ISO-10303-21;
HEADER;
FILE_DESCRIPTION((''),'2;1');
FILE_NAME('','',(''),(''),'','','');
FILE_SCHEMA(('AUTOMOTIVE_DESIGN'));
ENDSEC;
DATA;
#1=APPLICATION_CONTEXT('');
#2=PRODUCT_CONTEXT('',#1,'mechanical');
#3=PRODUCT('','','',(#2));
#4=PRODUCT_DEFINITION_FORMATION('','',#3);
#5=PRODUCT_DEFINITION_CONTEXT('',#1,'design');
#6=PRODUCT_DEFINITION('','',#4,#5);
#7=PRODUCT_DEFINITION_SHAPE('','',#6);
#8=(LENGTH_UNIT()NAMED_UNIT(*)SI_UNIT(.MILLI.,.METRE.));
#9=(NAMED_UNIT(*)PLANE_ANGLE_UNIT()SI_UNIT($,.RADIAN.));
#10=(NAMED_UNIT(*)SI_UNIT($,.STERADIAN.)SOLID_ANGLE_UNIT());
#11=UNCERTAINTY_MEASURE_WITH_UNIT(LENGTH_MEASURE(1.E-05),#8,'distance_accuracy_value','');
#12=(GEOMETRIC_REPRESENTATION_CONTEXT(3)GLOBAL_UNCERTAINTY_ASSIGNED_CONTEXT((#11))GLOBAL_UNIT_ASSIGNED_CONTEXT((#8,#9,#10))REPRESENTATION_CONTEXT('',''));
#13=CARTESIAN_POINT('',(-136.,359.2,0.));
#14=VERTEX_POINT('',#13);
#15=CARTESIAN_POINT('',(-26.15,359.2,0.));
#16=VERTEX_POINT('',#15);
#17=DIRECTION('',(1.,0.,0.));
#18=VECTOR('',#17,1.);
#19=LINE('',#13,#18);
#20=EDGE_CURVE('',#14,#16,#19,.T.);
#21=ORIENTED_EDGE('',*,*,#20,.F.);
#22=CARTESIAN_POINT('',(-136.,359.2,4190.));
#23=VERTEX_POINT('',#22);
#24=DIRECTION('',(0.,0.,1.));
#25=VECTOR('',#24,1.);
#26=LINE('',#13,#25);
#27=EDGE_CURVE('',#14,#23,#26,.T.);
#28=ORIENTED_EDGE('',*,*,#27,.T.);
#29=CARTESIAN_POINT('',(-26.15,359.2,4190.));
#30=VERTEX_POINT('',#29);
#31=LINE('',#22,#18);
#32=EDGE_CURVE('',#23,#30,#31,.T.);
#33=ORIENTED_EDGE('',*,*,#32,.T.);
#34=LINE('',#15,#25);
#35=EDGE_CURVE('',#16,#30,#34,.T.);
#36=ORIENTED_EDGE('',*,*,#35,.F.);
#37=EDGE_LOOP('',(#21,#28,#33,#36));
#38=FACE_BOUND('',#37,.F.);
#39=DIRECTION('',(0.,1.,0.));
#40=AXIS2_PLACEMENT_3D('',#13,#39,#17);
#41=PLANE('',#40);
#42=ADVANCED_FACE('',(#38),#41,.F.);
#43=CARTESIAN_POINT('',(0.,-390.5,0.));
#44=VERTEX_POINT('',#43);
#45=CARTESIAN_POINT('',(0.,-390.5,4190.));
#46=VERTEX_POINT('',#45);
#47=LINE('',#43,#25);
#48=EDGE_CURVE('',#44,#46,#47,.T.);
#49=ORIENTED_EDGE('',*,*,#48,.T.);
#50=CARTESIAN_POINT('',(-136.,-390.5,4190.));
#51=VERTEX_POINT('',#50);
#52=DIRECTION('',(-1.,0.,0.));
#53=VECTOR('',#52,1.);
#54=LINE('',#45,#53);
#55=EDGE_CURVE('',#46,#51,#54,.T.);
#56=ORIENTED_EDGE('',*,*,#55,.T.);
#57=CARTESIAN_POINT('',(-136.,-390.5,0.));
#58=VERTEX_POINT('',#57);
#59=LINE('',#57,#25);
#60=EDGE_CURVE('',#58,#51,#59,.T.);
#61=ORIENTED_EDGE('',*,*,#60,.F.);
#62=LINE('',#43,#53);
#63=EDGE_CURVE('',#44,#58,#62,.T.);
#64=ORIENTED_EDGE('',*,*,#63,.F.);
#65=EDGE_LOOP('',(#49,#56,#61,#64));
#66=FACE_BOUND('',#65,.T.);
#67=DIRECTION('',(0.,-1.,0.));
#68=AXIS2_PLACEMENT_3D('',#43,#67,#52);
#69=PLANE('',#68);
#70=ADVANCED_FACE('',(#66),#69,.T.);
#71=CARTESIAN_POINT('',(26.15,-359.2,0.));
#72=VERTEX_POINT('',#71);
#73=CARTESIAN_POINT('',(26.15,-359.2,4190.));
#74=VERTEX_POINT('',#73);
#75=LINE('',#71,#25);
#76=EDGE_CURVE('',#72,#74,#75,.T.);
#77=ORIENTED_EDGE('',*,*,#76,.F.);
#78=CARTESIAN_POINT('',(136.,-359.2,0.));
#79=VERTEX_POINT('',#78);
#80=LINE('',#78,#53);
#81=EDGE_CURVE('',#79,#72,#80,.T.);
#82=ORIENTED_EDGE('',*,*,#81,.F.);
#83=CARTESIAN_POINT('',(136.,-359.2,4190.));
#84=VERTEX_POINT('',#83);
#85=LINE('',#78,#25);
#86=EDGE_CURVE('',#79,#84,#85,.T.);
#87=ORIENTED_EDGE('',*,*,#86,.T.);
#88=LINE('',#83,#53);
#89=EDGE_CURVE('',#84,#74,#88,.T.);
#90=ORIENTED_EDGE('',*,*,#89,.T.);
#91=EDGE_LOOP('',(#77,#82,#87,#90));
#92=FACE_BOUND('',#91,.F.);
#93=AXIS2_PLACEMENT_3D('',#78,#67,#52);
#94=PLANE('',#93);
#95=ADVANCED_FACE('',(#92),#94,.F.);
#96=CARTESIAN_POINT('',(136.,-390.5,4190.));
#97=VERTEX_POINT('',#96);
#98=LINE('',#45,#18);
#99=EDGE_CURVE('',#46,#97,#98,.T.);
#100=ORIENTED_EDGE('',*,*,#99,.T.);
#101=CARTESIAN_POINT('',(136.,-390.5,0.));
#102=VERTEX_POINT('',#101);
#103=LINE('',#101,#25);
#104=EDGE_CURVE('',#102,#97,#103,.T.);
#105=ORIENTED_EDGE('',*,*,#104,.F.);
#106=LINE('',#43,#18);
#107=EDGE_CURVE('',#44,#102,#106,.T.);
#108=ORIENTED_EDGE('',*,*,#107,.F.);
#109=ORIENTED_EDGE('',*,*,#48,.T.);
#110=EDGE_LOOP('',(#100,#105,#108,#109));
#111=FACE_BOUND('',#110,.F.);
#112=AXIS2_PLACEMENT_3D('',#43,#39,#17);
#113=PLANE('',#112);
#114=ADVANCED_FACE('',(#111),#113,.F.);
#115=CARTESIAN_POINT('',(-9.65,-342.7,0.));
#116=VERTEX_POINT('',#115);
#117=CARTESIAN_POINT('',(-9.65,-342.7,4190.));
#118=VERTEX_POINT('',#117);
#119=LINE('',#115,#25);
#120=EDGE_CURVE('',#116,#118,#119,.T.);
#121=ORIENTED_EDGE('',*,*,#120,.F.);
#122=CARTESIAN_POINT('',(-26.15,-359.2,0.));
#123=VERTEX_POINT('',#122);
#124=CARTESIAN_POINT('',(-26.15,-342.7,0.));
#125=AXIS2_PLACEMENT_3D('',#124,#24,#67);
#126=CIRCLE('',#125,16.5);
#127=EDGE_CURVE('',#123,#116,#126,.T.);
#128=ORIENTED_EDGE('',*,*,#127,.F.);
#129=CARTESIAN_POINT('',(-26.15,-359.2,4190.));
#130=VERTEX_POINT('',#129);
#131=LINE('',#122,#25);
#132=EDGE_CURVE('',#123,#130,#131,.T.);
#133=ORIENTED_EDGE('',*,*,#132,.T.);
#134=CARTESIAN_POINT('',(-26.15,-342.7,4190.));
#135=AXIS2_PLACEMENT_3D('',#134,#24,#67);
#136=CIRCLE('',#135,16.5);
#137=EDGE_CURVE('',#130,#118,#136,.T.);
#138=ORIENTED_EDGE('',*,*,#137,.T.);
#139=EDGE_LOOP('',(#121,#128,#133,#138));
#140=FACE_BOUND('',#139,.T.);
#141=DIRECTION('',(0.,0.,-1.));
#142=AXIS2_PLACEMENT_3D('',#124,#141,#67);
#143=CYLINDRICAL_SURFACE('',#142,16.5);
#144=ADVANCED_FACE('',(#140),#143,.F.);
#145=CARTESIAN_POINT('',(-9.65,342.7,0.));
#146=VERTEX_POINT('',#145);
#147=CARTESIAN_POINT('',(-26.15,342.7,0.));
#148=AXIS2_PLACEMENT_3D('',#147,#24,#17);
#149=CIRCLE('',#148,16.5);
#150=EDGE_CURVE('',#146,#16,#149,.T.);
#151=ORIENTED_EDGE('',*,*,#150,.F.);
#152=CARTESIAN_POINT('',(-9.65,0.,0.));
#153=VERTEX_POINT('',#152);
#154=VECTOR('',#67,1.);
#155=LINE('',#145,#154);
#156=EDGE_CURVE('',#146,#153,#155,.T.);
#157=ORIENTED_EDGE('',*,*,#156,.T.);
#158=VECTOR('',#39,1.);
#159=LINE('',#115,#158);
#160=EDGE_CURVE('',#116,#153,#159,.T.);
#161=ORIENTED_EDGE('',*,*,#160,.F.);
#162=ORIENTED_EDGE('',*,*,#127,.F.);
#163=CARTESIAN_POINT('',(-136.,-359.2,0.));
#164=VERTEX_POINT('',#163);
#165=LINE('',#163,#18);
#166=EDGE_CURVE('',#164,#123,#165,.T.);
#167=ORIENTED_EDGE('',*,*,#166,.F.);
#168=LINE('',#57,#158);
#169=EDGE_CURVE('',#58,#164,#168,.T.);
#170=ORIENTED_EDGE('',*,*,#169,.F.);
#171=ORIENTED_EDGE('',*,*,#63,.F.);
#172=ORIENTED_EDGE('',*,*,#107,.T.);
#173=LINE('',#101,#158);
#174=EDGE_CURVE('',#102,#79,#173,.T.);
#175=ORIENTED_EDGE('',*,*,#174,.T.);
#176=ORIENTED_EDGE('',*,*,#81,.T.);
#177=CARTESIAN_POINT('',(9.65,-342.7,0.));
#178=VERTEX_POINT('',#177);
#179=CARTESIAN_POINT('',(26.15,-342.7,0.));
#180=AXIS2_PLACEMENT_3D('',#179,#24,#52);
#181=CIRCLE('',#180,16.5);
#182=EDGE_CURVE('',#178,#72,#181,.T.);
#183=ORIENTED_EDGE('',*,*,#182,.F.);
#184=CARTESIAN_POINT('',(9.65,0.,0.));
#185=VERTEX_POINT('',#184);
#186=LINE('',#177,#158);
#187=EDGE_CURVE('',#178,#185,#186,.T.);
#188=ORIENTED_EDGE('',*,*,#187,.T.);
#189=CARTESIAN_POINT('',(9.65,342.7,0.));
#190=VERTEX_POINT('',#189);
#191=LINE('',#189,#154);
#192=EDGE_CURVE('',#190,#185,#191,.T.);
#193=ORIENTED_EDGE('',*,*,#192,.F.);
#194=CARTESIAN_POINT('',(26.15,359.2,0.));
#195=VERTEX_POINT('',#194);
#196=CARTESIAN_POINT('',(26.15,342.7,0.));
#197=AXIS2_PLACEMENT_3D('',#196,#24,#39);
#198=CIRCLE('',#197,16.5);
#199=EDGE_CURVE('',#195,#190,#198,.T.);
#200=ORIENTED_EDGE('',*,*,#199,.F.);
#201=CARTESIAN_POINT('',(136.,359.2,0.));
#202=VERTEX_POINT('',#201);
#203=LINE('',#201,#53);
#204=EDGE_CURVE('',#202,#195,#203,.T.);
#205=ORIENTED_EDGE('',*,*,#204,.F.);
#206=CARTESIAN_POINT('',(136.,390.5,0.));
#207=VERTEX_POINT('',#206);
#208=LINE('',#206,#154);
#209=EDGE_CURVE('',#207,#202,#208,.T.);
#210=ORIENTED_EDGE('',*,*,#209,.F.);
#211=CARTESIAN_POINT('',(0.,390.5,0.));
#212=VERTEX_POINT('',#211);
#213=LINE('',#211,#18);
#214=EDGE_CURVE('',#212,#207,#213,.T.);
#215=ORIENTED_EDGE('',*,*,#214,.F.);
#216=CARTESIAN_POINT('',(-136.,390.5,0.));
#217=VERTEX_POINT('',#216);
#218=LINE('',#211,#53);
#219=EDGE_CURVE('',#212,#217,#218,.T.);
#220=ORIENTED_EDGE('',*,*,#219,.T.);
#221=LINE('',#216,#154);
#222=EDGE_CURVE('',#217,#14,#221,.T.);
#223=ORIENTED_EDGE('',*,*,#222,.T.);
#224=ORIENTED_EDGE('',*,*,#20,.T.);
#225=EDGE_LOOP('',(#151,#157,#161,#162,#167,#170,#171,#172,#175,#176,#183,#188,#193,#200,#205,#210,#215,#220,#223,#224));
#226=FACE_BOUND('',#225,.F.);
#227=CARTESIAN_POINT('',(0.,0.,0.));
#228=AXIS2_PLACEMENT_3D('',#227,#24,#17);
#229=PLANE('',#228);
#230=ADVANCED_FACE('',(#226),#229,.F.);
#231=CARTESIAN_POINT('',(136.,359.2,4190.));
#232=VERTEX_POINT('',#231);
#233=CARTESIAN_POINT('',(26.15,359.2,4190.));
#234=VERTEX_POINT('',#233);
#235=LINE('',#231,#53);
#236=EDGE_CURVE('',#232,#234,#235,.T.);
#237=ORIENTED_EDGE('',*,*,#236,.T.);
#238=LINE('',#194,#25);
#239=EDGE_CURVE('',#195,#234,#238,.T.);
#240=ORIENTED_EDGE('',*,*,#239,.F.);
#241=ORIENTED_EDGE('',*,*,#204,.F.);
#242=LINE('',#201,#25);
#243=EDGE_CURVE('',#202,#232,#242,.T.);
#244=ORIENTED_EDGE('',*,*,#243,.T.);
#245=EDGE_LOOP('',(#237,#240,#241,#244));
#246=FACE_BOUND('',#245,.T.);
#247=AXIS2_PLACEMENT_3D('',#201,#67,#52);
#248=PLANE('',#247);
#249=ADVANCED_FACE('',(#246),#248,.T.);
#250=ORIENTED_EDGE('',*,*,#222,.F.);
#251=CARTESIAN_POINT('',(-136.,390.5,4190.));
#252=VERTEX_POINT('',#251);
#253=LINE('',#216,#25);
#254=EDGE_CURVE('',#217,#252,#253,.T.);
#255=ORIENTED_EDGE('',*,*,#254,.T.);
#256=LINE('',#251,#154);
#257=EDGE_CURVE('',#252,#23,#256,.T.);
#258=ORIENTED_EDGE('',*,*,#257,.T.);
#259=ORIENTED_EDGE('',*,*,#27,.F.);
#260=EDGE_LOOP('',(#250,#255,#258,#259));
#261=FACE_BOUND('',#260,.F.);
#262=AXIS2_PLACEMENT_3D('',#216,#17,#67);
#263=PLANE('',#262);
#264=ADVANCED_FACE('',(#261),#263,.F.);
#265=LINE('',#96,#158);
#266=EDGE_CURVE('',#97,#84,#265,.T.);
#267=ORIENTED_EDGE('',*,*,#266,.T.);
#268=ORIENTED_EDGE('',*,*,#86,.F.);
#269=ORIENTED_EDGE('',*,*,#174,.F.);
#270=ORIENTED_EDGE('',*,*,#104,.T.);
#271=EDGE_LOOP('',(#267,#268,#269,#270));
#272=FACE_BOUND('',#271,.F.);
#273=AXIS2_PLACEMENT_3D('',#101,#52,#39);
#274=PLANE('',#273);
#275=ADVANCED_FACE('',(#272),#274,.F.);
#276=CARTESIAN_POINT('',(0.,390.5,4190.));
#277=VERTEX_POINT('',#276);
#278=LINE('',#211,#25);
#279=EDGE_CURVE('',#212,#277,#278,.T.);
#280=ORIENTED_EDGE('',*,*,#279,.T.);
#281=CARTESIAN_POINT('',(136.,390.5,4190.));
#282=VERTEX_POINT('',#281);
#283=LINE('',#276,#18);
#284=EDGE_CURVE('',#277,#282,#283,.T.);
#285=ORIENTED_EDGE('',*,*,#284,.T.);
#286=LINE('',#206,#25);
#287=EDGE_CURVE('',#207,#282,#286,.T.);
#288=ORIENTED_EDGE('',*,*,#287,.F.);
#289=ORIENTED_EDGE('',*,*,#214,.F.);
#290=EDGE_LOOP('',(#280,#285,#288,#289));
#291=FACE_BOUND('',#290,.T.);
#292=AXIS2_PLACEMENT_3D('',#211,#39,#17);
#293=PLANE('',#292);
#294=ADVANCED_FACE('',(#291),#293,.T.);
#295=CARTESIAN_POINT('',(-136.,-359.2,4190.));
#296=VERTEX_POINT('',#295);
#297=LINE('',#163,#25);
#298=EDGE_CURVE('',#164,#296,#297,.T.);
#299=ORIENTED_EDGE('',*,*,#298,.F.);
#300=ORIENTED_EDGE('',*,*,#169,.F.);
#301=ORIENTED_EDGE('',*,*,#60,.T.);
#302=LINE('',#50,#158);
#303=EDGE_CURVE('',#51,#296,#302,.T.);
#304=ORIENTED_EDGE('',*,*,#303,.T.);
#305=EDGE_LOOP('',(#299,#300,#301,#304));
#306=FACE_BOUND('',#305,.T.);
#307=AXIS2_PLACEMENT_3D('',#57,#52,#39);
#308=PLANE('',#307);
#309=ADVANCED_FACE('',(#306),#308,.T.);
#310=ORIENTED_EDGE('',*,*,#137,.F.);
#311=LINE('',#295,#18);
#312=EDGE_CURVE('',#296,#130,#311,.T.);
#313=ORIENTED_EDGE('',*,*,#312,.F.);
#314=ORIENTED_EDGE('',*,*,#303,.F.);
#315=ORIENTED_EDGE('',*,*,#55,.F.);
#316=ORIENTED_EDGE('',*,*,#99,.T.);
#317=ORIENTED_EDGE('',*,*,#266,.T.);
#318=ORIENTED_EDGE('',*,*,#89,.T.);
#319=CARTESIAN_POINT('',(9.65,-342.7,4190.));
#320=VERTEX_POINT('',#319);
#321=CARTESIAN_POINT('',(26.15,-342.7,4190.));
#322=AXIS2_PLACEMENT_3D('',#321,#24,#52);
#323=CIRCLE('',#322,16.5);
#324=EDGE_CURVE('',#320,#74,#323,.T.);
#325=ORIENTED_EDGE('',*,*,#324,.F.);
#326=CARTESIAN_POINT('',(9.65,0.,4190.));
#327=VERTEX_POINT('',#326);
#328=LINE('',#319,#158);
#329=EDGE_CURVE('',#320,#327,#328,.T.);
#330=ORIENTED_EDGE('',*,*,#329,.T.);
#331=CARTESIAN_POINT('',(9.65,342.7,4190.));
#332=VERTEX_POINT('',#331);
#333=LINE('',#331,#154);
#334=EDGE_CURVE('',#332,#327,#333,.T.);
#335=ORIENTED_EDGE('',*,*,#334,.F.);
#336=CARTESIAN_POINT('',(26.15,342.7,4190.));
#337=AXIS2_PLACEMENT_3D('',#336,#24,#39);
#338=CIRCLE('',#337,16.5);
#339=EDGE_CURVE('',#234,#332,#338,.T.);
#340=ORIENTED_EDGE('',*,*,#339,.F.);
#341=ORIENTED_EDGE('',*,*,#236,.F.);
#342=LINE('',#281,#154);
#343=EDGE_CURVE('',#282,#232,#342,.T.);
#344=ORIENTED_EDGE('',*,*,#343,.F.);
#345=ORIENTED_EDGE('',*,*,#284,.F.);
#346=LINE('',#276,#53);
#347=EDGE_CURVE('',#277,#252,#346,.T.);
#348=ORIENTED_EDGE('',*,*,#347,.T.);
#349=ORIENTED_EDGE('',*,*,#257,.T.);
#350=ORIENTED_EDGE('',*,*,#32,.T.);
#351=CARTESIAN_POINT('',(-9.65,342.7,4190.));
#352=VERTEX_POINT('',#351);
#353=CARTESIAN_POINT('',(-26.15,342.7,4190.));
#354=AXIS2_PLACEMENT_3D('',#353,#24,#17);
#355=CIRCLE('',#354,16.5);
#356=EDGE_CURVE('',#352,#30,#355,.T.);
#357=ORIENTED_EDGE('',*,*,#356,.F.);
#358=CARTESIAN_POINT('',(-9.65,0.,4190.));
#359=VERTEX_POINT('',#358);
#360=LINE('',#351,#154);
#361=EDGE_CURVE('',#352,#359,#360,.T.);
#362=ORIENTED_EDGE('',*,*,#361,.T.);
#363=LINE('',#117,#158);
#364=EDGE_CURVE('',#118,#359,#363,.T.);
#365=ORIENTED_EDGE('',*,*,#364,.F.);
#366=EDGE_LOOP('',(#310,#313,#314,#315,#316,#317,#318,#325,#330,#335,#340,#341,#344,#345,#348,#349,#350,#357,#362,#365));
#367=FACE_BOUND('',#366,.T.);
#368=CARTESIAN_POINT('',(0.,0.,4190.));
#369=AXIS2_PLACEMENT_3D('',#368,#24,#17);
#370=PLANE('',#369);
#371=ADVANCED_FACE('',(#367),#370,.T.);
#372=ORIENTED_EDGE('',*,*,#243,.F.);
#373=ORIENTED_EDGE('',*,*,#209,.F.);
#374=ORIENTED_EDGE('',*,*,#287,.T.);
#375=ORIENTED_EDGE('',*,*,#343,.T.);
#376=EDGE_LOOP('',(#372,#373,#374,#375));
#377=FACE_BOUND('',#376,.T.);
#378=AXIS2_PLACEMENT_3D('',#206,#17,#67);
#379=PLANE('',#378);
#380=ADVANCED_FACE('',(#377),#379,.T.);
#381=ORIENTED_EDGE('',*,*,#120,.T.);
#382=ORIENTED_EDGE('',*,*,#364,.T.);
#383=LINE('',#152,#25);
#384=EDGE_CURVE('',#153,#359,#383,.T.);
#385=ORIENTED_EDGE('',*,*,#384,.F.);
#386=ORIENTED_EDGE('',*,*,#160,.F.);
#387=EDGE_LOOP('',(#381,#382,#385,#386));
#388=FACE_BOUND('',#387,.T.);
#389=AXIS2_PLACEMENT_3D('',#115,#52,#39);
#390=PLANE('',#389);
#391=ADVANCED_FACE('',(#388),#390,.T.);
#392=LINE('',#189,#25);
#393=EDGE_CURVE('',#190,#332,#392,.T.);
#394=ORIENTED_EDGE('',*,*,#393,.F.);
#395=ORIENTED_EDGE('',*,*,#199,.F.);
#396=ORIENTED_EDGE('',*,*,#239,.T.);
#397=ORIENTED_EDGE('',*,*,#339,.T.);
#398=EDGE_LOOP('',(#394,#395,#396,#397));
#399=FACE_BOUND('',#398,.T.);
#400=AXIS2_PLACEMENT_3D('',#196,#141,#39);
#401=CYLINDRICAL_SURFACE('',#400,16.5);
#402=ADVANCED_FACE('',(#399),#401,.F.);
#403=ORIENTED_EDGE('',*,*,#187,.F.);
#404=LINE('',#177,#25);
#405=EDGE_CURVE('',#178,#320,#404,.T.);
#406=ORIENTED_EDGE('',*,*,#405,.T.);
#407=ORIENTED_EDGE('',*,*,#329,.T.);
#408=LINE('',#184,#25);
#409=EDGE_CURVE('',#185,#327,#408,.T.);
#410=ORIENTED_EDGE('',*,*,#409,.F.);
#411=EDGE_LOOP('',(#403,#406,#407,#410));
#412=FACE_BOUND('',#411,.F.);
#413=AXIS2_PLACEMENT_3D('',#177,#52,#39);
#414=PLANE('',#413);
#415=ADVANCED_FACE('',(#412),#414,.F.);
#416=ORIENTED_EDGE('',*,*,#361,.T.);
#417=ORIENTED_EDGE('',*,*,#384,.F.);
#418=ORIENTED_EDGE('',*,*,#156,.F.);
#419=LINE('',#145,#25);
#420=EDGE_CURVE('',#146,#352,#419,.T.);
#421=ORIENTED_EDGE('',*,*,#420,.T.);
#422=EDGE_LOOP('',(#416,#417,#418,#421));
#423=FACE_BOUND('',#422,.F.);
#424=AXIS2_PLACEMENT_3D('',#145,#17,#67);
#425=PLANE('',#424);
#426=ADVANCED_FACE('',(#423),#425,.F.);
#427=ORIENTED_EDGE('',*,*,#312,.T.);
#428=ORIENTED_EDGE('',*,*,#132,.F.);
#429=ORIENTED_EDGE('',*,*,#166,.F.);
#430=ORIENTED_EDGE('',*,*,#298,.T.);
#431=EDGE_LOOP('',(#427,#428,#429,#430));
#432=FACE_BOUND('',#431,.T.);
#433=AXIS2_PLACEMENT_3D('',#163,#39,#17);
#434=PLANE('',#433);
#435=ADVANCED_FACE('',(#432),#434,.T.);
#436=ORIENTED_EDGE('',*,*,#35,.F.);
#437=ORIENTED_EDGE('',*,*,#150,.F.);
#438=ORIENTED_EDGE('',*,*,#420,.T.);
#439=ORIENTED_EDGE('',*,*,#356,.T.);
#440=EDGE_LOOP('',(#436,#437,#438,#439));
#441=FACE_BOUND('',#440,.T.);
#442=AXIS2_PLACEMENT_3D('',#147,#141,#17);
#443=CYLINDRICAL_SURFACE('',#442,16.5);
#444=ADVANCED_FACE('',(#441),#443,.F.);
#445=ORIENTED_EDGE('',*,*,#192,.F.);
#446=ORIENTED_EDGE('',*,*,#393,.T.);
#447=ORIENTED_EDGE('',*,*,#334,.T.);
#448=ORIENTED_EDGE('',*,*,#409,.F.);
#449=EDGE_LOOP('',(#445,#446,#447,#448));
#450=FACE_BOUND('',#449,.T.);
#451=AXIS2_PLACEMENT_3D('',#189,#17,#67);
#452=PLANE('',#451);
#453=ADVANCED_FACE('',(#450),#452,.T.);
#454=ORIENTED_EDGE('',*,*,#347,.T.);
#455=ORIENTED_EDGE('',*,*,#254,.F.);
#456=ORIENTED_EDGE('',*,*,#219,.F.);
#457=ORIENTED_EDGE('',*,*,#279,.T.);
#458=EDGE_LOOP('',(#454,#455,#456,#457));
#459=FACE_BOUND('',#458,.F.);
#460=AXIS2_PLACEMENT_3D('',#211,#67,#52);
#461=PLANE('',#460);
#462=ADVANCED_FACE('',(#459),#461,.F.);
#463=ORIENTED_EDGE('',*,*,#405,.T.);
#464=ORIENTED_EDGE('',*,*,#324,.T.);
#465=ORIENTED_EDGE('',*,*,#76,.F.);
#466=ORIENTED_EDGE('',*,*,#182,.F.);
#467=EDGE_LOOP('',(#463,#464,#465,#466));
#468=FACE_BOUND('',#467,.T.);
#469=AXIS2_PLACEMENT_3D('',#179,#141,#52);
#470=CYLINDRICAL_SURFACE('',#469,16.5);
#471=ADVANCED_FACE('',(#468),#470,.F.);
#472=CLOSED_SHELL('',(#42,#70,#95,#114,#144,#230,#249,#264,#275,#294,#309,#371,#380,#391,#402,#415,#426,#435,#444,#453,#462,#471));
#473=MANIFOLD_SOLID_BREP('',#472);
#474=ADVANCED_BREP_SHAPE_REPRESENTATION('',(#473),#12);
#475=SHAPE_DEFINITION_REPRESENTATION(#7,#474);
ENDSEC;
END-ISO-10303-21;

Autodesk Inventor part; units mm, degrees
ref_plane "YZ Plane" through (0, 0, 0) normal (1, 0, 0) x (0, 1, 0)
ref_plane "Start plane" through (0, 0, 0) normal (0, 0, 1) x (1, 0, 0)
ref_plane "End plane" through (0, 0, 4190) normal (0, 0, 1) x (1, 0, 0)
sketch "Sketch" plane through (0, 0, 0) normal (0, 0, 1) x (1, 0, 0)
  line L0 (-136, -390.5) -> (-136, -359.2)
  line L1 (-136, -359.2) -> (-26.15, -359.2)
  line L2 (-9.65, -342.7) -> (-9.65, 0)
  line L3 (-9.65, 0) -> (0, 0) construction
  line L4 (0, 0) -> (0, -390.5) construction
  line L5 (0, -390.5) -> (-136, -390.5)
  line L6 (-60, 0) -> (80, 0) construction
  line L7 (0, -60) -> (0, 80) construction
  line L8 (136, -390.5) -> (136, -359.2)
  line L9 (136, -359.2) -> (26.15, -359.2)
  line L10 (9.65, -342.7) -> (9.65, 0)
  line L11 (9.65, 0) -> (0, 0) construction
  line L12 (0, -390.5) -> (136, -390.5)
  line L13 (-136, 390.5) -> (-136, 359.2)
  line L14 (-136, 359.2) -> (-26.15, 359.2)
  line L15 (-9.65, 342.7) -> (-9.65, 0)
  line L16 (0, 390.5) -> (-136, 390.5)
  line L17 (136, 390.5) -> (136, 359.2)
  line L18 (136, 359.2) -> (26.15, 359.2)
  line L19 (0, 390.5) -> (136, 390.5)
  line L20 (9.65, 342.7) -> (9.65, 0)
  arc A0 (-9.65, 342.7) -> (-26.15, 359.2) centre (-26.15, 342.7) ccw
  arc A1 (26.15, 359.2) -> (9.65, 342.7) centre (26.15, 342.7) ccw
  arc A2 (9.65, -342.7) -> (26.15, -359.2) centre (26.15, -342.7) ccw
  arc A3 (-26.15, -359.2) -> (-9.65, -342.7) centre (-26.15, -342.7) ccw
  line L21 (0, 108) -> (0, -88) construction
  line L22 (-88, 0) -> (108, 0) construction
  point P0 (-9.65, -359.2)
  point P1 (9.65, -359.2)
  point P2 (-9.65, 359.2)
  point P3 (9.65, 359.2)
  dimension "d1" = 390.5
  dimension "d2" = 31.3
  dimension "d3" = 136
  dimension "d4" = 9.65
  dimension "d10" = 16.5
extrude "Body" add sketch "Sketch" along normal up to surface (4190 mm away) from surface at 0
sketch "Sketch4" plane through (0, 0, 0) normal (0, 0, 1) x (1, 0, 0)
  line L0 (0, 0) -> (10, 0)
ref_plane "Work Plane3" through (0, 0, 0) normal (0, -1, 0) x (1, 0, 0)
sketch "Sketch5" plane through (0, 0, 0) normal (0, -1, 0) x (1, 0, 0)
  line L0 (-2, 0) -> (12, 0) projected
  line L1 (-2, 4190) -> (12, 4190) projected
  dimension "d14" = 4190
equation "\"d1\" = 0.5 * G_H"
equation "\"d2\" = G_T1"
equation "\"d3\" = 0.5 * G_W"
equation "\"d4\" = 0.5 * G_T"
equation "\"d10\" = G_IR"
equation "\"d5\" = G_L"
equation "\"G_W\" = 272"
equation "\"G_H\" = 781"
equation "\"G_T\" = 19.3"
equation "\"G_T1\" = 31.3"
equation "\"G_IR\" = 16.5"
equation "\"G_L\" = d14"
equation "\"G_OFFSET_START\" = 0"
equation "\"G_OFFSET_END\" = 0"
properties part number "AS 3679-1990 - 760 UB - 244 - 4190" material "Steel, Mild"
